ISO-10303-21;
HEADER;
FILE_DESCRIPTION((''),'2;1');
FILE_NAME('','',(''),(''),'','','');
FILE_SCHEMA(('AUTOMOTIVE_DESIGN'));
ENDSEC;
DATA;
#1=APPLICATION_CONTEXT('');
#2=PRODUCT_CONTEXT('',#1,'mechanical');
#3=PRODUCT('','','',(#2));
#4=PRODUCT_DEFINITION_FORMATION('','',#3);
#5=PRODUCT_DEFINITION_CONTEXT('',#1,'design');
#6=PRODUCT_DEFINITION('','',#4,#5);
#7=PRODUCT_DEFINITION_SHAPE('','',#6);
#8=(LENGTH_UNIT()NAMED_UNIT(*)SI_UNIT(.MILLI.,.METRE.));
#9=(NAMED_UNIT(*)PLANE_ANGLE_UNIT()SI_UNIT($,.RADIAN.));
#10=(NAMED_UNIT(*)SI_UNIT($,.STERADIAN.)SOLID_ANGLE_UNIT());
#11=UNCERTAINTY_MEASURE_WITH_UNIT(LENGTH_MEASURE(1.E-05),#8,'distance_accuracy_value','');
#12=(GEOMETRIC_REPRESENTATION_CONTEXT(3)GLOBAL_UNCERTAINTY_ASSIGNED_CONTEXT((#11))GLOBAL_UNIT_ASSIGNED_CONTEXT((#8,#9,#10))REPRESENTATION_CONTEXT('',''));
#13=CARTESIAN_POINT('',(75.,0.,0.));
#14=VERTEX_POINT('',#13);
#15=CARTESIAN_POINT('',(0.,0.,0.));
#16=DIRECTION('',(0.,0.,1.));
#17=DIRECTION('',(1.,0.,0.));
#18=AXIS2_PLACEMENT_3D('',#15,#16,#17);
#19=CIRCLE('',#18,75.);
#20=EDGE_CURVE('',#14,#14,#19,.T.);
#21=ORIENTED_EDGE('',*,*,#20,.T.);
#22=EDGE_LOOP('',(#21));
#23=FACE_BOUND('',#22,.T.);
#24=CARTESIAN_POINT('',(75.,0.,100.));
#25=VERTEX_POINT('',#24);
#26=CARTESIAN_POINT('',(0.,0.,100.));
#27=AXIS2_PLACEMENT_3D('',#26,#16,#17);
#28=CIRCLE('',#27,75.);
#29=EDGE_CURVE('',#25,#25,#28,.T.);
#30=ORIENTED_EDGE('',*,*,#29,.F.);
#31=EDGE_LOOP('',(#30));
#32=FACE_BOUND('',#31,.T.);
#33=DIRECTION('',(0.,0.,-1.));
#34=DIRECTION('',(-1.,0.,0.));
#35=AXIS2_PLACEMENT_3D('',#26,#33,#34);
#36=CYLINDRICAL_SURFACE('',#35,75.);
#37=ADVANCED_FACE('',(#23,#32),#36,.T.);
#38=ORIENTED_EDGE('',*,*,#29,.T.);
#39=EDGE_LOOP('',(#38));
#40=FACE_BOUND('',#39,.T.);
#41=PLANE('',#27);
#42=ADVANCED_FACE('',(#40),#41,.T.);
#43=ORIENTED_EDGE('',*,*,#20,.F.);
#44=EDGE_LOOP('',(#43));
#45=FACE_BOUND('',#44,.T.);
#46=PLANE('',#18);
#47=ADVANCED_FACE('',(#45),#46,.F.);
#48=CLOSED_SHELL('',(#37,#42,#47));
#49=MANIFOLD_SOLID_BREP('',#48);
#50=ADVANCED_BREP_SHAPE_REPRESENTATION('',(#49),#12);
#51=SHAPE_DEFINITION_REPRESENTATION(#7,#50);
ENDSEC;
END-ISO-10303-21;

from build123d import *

# Parameters (mm, degrees)
ESQUISSE1_R        = 75
BOSS_EXTRU_1_DEPTH = 100


with BuildPart() as part:
    # Esquisse1 → Boss.-Extru.1 (new body)
    with BuildSketch(Plane.XY):
        Circle(ESQUISSE1_R)
    extrude(amount=BOSS_EXTRU_1_DEPTH)


solid = part.part
